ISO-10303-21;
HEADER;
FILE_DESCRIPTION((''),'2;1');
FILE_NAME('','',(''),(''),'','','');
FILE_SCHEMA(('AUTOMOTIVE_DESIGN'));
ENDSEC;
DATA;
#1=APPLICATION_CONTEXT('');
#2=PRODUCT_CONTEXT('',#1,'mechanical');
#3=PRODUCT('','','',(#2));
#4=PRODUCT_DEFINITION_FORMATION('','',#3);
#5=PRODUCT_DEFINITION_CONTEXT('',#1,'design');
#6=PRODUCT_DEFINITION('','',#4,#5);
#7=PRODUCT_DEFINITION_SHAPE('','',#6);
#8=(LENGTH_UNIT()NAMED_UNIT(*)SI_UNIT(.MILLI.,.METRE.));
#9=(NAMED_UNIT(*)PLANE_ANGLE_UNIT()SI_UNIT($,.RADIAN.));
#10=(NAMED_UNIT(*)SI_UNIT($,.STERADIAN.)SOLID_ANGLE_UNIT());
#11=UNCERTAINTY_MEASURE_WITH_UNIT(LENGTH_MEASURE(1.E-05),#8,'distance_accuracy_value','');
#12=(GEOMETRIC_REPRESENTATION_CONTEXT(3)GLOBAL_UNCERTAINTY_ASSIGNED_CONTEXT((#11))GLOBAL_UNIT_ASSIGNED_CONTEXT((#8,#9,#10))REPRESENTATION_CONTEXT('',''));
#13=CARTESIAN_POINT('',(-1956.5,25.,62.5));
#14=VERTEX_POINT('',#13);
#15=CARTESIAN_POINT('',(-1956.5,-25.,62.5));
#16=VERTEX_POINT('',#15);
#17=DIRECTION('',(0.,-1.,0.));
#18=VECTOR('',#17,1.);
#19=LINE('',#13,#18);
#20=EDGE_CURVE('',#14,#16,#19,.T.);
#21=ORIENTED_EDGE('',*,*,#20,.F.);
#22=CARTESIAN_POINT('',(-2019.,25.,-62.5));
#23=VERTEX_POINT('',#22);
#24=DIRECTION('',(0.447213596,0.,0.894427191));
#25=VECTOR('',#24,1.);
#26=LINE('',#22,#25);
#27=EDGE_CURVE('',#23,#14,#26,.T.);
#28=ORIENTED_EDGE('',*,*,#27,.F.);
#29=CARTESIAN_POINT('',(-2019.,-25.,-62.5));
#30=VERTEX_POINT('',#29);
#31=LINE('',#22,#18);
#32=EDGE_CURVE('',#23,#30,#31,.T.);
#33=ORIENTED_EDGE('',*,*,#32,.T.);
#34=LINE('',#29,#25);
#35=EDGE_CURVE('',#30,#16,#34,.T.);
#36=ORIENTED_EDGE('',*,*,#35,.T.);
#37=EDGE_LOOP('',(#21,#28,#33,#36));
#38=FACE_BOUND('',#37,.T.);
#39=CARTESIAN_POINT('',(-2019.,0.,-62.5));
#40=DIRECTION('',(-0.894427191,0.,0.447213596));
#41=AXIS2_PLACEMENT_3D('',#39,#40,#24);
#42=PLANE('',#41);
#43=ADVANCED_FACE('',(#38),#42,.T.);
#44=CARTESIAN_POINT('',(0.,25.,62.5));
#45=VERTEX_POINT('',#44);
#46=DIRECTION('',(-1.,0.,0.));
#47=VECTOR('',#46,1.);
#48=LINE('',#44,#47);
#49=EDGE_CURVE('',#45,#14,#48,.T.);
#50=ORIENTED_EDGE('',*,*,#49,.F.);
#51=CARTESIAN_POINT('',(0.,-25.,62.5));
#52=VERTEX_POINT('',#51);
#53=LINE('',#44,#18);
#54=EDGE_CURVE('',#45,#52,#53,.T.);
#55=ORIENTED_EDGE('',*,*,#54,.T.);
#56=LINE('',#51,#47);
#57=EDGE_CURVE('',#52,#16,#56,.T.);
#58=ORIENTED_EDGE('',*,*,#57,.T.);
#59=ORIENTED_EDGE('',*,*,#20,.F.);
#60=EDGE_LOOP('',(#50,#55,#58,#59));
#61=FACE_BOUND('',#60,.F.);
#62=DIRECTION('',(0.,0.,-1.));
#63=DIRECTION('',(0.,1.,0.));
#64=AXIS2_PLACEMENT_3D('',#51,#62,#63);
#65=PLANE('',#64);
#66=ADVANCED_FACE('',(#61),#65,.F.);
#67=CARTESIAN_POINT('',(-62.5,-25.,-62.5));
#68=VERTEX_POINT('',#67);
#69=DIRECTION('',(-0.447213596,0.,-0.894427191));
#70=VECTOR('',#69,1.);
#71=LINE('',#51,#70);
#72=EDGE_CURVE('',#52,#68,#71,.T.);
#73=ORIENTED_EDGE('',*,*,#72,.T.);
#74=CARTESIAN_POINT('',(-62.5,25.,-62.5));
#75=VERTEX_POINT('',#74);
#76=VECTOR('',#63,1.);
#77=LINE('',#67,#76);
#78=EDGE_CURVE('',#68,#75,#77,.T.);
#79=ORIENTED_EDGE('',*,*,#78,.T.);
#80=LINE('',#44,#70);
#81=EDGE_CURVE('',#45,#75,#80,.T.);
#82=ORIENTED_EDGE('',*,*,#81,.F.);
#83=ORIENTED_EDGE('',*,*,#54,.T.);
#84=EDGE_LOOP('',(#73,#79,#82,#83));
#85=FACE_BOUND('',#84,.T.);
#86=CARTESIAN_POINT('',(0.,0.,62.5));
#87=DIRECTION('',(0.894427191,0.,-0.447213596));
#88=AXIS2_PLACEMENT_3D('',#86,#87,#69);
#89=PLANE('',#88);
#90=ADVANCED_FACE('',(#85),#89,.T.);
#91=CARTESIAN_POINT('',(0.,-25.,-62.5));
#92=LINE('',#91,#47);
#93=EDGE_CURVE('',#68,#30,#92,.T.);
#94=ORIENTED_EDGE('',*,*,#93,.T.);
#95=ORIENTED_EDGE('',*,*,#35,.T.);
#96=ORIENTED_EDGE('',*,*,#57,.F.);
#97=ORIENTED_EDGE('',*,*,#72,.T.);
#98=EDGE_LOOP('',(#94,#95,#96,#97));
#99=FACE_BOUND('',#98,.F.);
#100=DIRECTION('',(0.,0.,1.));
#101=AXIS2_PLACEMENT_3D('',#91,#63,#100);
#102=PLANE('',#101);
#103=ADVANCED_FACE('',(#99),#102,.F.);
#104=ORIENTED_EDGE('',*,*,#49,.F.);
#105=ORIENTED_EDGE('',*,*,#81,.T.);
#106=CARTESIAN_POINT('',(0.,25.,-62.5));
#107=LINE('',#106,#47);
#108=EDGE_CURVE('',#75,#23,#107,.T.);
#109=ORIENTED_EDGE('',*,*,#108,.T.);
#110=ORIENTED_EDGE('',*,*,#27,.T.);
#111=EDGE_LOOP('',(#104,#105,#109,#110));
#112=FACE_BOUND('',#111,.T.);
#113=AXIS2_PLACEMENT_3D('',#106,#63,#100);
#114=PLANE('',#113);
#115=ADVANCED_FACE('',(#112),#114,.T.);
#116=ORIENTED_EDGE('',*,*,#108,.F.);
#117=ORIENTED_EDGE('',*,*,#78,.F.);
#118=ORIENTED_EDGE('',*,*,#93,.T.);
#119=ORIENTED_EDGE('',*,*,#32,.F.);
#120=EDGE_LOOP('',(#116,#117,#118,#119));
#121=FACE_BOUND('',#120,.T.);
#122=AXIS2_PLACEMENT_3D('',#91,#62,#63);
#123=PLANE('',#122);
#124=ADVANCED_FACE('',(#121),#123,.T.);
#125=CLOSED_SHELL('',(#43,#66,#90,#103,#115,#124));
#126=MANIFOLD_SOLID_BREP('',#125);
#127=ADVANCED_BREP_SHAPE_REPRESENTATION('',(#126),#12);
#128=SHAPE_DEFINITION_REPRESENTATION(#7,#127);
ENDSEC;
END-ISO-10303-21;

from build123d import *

# Parameters (mm, degrees)
F0_W          = 50
F0_H          = 125
F1_DEPTH      = 2019
F3_DEPTH      = 25
F3_DEPTH_BACK = 25


with BuildPart() as f1:
    # F0 (on Right) → F1 (new body)
    with BuildSketch(Plane.YZ):
        Rectangle(F0_W, F0_H)
    extrude(amount=-F1_DEPTH)

    # F2 (on Front) → F3 (cut, two sides)
    with BuildSketch(Plane.XZ) as f3_sk:
        Polygon((0, -62.5), (0, 62.5), (-62.5, -62.5), align=None)
        Polygon((-2019, 62.5), (-2019, -62.5), (-1956.5, 62.5), align=None)
    extrude(amount=-F3_DEPTH, mode=Mode.SUBTRACT)
    extrude(f3_sk.sketch, amount=F3_DEPTH_BACK, mode=Mode.SUBTRACT)


solid = f1.part
